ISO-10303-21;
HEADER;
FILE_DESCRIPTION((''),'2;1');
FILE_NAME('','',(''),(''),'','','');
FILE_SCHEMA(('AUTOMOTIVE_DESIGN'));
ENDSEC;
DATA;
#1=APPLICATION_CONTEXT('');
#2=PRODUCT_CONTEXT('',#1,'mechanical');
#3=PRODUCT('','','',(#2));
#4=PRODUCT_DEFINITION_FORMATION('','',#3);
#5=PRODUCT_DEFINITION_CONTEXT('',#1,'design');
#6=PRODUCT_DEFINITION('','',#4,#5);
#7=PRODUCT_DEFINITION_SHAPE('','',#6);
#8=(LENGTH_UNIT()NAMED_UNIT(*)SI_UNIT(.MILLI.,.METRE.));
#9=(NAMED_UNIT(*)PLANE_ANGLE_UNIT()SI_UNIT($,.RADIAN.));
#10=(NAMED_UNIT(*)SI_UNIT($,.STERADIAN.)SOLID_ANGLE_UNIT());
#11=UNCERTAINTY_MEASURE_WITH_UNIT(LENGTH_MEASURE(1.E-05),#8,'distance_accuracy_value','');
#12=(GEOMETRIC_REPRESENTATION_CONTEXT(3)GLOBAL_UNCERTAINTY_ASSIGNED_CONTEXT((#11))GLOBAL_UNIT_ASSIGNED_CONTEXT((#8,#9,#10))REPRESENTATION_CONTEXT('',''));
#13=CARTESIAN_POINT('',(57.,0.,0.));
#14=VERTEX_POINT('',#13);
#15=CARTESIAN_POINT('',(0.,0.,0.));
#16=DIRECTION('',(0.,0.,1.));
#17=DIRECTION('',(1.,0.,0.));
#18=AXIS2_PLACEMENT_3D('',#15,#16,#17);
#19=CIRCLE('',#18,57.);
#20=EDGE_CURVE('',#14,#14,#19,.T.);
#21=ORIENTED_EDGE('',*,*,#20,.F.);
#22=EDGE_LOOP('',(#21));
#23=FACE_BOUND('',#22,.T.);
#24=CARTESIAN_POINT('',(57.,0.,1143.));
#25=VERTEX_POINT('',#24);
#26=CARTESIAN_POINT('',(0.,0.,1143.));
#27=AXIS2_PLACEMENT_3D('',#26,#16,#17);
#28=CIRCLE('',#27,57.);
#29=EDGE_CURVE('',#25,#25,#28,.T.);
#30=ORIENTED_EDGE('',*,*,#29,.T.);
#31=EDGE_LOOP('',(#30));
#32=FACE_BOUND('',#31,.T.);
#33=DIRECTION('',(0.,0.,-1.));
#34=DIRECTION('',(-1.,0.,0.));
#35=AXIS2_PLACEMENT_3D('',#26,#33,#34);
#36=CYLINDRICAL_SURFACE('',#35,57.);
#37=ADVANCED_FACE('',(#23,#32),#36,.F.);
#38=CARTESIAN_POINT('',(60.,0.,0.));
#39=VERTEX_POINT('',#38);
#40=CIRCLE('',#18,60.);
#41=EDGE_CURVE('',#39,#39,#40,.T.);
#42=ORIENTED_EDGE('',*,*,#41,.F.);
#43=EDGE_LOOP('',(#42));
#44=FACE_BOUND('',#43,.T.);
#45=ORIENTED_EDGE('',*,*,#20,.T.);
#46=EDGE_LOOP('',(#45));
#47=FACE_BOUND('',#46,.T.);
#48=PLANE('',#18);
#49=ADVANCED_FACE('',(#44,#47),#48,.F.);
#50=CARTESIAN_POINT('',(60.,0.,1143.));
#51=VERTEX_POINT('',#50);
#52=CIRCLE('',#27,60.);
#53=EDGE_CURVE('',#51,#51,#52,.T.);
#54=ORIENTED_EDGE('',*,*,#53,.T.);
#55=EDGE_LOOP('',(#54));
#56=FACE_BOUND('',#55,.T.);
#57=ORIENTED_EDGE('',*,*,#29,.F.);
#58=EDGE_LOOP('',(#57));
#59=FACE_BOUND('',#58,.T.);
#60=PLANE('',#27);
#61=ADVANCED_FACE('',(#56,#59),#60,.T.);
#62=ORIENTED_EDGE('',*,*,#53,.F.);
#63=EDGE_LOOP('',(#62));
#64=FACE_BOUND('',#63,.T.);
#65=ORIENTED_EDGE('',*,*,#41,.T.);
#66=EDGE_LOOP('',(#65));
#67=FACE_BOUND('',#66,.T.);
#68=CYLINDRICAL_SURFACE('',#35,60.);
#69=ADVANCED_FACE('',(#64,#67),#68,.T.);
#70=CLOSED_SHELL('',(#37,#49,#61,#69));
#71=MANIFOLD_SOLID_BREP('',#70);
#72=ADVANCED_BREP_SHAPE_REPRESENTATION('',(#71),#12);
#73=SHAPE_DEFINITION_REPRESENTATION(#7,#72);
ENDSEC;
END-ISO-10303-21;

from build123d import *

# Parameters (mm, degrees)
SKETCH_1_R      = 60
SKETCH_1_R_2    = 57
EXTRUDE_1_DEPTH = 1143


with BuildPart() as part:
    # 草图1 → 凸台-拉伸1 (new body)
    with BuildSketch(Plane.XY):
        Circle(SKETCH_1_R)
        Circle(SKETCH_1_R_2, mode=Mode.SUBTRACT)
    extrude(amount=EXTRUDE_1_DEPTH)


solid = part.part
